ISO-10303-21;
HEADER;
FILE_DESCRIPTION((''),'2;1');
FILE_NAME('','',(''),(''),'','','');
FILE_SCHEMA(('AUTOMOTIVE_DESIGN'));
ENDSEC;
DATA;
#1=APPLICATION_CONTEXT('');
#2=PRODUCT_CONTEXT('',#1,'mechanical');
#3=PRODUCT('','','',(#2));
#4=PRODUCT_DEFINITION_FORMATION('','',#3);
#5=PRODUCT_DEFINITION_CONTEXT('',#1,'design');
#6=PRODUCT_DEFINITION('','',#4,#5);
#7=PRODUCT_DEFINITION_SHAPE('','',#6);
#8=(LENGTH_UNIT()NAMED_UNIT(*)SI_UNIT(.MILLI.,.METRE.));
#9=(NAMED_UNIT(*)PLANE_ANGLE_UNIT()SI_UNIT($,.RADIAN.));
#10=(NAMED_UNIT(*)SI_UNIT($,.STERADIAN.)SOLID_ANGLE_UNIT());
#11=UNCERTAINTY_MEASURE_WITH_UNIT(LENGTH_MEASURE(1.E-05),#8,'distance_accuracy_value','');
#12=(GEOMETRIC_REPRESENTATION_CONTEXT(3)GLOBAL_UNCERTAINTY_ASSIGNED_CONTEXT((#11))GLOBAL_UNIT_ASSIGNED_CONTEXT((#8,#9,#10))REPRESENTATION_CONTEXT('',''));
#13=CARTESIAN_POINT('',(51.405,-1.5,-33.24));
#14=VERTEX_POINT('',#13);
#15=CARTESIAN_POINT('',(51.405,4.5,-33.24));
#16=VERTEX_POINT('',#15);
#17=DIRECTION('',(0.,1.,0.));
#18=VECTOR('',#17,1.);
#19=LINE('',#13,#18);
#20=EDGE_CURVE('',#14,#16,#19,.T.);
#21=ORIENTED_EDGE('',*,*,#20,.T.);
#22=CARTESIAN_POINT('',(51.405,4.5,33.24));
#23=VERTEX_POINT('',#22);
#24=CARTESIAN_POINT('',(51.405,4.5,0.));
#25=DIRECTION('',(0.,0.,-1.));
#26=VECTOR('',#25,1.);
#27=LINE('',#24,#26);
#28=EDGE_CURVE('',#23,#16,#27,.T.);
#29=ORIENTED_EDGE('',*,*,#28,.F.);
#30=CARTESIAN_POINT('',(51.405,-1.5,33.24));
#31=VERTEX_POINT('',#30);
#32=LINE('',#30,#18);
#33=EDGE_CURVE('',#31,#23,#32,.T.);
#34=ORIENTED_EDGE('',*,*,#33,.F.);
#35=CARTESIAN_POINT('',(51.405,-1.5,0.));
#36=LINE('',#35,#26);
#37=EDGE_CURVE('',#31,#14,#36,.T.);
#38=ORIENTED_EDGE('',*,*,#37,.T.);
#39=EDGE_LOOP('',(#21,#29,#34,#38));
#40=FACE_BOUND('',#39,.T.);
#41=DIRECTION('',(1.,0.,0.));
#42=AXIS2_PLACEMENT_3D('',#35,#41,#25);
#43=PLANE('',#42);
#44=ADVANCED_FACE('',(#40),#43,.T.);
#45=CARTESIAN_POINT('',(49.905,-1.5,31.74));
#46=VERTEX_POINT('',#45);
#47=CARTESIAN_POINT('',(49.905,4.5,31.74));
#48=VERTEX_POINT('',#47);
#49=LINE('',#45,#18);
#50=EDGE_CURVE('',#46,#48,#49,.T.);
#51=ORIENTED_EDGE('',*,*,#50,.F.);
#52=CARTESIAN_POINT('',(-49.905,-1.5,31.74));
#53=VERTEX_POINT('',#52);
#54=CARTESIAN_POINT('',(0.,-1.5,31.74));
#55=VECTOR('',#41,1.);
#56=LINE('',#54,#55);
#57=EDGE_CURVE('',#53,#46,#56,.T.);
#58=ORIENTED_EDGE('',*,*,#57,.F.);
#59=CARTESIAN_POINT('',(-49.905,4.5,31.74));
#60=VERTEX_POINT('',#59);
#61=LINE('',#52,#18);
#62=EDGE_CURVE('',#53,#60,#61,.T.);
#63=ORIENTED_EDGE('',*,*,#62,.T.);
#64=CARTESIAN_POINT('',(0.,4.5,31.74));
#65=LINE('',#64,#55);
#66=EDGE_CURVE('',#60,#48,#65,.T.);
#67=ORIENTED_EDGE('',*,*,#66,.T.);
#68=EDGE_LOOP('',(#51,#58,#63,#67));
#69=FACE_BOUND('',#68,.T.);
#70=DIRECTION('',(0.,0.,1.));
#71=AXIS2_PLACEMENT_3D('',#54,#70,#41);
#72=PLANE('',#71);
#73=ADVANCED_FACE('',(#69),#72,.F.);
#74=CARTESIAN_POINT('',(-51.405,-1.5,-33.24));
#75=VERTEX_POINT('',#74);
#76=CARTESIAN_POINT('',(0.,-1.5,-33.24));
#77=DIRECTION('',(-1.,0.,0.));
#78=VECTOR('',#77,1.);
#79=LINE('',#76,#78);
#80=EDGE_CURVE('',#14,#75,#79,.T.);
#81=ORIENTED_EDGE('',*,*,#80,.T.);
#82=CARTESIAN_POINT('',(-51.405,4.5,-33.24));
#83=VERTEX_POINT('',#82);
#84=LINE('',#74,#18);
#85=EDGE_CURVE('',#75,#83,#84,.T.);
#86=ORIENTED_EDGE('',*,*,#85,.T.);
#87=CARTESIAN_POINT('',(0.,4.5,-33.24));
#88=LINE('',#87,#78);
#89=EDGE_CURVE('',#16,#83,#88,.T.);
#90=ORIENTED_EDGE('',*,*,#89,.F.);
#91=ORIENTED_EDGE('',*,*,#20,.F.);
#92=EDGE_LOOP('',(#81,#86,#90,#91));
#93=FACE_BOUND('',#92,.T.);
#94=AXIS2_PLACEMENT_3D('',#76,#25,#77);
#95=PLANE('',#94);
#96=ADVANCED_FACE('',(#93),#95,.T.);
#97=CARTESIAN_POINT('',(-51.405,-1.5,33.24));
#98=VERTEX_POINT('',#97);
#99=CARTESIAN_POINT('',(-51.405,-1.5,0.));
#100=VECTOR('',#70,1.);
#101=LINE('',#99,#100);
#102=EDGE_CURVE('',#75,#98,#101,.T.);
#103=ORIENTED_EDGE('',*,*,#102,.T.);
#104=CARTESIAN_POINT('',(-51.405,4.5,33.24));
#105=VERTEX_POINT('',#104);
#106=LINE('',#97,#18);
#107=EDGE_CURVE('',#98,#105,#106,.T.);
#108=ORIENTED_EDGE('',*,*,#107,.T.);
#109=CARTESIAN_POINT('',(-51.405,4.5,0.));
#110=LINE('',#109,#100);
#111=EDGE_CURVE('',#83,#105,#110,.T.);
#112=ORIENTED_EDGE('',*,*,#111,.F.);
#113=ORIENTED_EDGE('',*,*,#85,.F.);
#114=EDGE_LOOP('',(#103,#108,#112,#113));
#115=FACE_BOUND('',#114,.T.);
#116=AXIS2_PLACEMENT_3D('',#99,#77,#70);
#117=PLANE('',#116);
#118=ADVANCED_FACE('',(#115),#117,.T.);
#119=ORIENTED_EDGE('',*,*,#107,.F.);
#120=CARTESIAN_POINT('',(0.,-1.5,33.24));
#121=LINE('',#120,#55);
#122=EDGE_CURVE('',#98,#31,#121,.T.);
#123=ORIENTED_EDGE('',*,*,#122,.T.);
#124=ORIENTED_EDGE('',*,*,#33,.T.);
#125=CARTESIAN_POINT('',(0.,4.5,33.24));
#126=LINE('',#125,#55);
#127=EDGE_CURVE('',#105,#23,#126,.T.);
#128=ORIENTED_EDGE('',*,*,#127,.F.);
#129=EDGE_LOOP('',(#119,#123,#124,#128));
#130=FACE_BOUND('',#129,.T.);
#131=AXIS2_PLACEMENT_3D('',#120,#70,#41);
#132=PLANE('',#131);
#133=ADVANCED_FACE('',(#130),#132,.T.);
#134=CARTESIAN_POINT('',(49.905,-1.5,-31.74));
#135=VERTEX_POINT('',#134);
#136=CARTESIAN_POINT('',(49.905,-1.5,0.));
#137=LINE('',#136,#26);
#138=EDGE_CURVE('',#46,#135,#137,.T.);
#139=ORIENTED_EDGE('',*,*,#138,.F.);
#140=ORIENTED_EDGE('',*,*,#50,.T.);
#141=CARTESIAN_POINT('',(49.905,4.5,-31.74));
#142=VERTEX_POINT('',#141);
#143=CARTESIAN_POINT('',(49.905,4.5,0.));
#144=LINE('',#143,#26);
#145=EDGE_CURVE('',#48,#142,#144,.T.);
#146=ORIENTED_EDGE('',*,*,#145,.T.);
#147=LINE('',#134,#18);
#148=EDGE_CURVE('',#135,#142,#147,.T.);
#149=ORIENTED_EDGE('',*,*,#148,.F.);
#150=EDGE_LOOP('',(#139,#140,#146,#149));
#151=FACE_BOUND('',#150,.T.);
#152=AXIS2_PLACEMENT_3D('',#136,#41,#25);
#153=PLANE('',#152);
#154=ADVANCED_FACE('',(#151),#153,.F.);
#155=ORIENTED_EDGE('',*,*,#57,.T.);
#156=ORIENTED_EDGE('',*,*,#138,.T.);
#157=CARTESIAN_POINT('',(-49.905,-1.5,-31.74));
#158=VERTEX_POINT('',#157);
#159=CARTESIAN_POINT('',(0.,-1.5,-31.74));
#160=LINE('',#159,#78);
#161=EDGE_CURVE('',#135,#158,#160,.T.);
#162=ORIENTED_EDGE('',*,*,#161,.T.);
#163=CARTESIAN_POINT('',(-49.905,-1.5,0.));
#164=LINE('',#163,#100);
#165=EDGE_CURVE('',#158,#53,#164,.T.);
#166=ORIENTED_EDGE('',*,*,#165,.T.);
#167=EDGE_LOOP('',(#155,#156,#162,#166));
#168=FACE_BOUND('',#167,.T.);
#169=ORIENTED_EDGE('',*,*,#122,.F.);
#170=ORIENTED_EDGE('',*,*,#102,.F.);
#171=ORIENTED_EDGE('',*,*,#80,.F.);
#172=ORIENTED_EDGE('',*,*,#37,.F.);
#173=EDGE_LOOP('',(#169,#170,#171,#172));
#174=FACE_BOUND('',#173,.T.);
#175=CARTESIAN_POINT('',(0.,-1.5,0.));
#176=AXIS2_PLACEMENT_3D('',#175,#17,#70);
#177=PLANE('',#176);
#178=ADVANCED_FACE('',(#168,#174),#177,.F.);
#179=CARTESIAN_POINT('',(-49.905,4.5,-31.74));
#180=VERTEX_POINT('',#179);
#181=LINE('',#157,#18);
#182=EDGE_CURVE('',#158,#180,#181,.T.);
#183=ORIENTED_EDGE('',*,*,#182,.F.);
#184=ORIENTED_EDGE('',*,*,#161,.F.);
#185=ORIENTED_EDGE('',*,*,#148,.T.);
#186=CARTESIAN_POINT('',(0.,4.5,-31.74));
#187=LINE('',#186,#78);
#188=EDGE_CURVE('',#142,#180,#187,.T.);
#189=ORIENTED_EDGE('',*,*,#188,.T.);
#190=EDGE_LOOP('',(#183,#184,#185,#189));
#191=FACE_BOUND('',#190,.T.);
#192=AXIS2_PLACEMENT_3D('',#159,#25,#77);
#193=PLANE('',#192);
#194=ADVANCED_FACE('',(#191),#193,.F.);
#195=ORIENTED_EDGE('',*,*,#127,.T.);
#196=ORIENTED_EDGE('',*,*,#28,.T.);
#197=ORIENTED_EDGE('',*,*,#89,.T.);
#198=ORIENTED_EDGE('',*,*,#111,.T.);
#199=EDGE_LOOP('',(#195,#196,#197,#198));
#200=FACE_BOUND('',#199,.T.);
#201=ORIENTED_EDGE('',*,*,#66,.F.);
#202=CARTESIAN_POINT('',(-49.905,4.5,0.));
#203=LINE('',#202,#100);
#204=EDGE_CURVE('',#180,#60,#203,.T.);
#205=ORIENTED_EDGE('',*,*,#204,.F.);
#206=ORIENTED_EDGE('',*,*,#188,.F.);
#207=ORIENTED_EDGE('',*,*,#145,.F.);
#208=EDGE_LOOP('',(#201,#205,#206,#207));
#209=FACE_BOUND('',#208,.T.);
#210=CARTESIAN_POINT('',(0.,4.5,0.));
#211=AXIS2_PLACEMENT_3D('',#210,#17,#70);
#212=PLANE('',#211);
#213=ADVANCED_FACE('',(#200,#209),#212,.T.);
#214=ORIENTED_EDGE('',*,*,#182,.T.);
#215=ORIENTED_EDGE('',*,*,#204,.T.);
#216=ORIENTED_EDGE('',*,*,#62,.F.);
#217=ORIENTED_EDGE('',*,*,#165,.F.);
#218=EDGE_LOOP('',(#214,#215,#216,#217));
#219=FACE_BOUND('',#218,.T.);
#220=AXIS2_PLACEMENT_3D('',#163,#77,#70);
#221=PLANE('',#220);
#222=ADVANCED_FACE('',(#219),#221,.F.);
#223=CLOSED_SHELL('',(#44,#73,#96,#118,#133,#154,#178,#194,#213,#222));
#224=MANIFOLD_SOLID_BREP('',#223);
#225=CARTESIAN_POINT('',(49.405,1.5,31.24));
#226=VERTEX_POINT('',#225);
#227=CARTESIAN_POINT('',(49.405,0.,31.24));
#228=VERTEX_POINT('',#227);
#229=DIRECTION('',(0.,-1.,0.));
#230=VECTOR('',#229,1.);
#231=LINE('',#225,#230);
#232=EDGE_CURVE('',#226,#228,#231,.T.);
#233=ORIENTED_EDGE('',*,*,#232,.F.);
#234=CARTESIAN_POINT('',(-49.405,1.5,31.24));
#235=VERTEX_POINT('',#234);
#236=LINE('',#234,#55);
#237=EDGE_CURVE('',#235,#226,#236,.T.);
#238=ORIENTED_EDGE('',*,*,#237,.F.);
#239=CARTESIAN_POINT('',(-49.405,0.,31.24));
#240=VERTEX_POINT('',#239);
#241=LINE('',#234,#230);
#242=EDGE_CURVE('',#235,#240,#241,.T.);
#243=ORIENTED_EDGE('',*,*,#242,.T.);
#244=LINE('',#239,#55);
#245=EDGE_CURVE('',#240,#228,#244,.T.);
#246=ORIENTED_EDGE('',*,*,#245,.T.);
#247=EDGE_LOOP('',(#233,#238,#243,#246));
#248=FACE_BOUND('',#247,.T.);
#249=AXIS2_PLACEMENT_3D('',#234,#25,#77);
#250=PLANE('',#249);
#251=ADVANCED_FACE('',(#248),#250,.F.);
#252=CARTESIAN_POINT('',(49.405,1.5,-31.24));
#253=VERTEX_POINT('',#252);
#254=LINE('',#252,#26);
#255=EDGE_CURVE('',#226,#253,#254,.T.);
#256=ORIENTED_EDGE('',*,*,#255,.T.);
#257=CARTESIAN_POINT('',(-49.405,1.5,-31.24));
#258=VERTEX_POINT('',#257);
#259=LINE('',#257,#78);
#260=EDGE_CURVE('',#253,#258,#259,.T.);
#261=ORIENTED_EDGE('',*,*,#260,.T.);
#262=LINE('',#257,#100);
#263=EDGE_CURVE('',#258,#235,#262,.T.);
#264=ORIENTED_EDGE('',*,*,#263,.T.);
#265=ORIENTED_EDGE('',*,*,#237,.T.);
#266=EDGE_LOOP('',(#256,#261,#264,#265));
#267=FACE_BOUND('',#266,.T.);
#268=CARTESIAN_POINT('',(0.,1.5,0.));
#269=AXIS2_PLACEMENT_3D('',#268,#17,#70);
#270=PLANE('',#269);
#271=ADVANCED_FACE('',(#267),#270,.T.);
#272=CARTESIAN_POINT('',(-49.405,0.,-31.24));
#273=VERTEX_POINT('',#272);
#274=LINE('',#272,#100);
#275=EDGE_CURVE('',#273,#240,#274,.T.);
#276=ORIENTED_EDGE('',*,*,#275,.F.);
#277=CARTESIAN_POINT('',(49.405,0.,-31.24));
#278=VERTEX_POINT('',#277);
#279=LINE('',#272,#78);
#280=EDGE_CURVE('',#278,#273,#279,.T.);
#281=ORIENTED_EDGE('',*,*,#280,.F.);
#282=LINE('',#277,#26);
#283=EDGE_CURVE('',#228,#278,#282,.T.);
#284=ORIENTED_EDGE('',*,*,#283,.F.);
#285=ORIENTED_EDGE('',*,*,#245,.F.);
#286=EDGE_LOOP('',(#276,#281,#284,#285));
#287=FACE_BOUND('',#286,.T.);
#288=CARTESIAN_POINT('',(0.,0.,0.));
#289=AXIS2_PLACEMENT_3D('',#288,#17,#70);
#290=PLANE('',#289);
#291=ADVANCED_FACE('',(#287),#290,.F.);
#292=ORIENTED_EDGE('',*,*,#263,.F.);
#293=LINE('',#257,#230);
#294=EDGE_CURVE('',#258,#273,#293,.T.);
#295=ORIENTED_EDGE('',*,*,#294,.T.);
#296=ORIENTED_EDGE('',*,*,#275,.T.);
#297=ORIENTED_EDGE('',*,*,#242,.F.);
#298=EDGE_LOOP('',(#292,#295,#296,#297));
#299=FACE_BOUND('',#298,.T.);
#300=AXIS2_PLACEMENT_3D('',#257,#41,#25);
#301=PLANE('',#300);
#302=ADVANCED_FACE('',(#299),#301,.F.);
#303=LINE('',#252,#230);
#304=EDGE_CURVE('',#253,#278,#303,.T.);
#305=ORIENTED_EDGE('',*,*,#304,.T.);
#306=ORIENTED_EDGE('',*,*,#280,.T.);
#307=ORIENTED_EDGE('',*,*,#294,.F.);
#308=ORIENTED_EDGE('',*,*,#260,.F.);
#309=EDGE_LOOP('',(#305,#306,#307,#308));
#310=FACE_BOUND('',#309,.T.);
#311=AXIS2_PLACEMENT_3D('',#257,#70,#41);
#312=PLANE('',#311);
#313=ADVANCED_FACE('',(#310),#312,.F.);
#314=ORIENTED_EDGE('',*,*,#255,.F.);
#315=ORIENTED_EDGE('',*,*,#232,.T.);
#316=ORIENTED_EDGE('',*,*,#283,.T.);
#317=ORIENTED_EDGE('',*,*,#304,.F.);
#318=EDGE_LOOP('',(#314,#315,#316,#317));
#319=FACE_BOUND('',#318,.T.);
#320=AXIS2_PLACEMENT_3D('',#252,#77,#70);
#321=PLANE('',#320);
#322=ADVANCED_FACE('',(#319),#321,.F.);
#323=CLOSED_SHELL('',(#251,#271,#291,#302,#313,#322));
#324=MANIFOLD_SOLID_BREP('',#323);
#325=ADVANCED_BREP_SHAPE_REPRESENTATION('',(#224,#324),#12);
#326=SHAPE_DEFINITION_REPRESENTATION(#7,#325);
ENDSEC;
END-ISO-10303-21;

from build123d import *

# Parameters (mm, degrees)
SKETCH1_W                = 98.81
SKETCH1_H                = 62.48
BOSS_EXTRUDE1_DEPTH      = 1.5
BOSS_EXTRUDE2_DEPTH      = 3
BOSS_EXTRUDE2_DEPTH_BACK = 3
SKETCH2_W                = 102.81
SKETCH2_H                = 66.48
SKETCH2_W_2              = 99.81
SKETCH2_H_2              = 63.48


with BuildPart() as part:
    # Sketch1 → Boss-Extrude1 (new body)
    with BuildSketch(Plane(origin=(0, 0, 0), x_dir=(1, 0, 0), z_dir=(0, 1, 0))):
        Rectangle(SKETCH1_W, SKETCH1_H)
    extrude(amount=BOSS_EXTRUDE1_DEPTH)


with BuildPart() as body_2:
    # Sketch2 → Boss-Extrude2 (new, two sides: drawn at the far end of the back side and taken through both)
    with BuildSketch(Plane(origin=(0, 1.5, 0), x_dir=(1, 0, 0), z_dir=(0, 1, 0)).offset(-BOSS_EXTRUDE2_DEPTH_BACK)):
        Rectangle(SKETCH2_W, SKETCH2_H)
        Rectangle(SKETCH2_W_2, SKETCH2_H_2, mode=Mode.SUBTRACT)
    extrude(amount=BOSS_EXTRUDE2_DEPTH + BOSS_EXTRUDE2_DEPTH_BACK)


solid = Compound([part.part, body_2.part])
